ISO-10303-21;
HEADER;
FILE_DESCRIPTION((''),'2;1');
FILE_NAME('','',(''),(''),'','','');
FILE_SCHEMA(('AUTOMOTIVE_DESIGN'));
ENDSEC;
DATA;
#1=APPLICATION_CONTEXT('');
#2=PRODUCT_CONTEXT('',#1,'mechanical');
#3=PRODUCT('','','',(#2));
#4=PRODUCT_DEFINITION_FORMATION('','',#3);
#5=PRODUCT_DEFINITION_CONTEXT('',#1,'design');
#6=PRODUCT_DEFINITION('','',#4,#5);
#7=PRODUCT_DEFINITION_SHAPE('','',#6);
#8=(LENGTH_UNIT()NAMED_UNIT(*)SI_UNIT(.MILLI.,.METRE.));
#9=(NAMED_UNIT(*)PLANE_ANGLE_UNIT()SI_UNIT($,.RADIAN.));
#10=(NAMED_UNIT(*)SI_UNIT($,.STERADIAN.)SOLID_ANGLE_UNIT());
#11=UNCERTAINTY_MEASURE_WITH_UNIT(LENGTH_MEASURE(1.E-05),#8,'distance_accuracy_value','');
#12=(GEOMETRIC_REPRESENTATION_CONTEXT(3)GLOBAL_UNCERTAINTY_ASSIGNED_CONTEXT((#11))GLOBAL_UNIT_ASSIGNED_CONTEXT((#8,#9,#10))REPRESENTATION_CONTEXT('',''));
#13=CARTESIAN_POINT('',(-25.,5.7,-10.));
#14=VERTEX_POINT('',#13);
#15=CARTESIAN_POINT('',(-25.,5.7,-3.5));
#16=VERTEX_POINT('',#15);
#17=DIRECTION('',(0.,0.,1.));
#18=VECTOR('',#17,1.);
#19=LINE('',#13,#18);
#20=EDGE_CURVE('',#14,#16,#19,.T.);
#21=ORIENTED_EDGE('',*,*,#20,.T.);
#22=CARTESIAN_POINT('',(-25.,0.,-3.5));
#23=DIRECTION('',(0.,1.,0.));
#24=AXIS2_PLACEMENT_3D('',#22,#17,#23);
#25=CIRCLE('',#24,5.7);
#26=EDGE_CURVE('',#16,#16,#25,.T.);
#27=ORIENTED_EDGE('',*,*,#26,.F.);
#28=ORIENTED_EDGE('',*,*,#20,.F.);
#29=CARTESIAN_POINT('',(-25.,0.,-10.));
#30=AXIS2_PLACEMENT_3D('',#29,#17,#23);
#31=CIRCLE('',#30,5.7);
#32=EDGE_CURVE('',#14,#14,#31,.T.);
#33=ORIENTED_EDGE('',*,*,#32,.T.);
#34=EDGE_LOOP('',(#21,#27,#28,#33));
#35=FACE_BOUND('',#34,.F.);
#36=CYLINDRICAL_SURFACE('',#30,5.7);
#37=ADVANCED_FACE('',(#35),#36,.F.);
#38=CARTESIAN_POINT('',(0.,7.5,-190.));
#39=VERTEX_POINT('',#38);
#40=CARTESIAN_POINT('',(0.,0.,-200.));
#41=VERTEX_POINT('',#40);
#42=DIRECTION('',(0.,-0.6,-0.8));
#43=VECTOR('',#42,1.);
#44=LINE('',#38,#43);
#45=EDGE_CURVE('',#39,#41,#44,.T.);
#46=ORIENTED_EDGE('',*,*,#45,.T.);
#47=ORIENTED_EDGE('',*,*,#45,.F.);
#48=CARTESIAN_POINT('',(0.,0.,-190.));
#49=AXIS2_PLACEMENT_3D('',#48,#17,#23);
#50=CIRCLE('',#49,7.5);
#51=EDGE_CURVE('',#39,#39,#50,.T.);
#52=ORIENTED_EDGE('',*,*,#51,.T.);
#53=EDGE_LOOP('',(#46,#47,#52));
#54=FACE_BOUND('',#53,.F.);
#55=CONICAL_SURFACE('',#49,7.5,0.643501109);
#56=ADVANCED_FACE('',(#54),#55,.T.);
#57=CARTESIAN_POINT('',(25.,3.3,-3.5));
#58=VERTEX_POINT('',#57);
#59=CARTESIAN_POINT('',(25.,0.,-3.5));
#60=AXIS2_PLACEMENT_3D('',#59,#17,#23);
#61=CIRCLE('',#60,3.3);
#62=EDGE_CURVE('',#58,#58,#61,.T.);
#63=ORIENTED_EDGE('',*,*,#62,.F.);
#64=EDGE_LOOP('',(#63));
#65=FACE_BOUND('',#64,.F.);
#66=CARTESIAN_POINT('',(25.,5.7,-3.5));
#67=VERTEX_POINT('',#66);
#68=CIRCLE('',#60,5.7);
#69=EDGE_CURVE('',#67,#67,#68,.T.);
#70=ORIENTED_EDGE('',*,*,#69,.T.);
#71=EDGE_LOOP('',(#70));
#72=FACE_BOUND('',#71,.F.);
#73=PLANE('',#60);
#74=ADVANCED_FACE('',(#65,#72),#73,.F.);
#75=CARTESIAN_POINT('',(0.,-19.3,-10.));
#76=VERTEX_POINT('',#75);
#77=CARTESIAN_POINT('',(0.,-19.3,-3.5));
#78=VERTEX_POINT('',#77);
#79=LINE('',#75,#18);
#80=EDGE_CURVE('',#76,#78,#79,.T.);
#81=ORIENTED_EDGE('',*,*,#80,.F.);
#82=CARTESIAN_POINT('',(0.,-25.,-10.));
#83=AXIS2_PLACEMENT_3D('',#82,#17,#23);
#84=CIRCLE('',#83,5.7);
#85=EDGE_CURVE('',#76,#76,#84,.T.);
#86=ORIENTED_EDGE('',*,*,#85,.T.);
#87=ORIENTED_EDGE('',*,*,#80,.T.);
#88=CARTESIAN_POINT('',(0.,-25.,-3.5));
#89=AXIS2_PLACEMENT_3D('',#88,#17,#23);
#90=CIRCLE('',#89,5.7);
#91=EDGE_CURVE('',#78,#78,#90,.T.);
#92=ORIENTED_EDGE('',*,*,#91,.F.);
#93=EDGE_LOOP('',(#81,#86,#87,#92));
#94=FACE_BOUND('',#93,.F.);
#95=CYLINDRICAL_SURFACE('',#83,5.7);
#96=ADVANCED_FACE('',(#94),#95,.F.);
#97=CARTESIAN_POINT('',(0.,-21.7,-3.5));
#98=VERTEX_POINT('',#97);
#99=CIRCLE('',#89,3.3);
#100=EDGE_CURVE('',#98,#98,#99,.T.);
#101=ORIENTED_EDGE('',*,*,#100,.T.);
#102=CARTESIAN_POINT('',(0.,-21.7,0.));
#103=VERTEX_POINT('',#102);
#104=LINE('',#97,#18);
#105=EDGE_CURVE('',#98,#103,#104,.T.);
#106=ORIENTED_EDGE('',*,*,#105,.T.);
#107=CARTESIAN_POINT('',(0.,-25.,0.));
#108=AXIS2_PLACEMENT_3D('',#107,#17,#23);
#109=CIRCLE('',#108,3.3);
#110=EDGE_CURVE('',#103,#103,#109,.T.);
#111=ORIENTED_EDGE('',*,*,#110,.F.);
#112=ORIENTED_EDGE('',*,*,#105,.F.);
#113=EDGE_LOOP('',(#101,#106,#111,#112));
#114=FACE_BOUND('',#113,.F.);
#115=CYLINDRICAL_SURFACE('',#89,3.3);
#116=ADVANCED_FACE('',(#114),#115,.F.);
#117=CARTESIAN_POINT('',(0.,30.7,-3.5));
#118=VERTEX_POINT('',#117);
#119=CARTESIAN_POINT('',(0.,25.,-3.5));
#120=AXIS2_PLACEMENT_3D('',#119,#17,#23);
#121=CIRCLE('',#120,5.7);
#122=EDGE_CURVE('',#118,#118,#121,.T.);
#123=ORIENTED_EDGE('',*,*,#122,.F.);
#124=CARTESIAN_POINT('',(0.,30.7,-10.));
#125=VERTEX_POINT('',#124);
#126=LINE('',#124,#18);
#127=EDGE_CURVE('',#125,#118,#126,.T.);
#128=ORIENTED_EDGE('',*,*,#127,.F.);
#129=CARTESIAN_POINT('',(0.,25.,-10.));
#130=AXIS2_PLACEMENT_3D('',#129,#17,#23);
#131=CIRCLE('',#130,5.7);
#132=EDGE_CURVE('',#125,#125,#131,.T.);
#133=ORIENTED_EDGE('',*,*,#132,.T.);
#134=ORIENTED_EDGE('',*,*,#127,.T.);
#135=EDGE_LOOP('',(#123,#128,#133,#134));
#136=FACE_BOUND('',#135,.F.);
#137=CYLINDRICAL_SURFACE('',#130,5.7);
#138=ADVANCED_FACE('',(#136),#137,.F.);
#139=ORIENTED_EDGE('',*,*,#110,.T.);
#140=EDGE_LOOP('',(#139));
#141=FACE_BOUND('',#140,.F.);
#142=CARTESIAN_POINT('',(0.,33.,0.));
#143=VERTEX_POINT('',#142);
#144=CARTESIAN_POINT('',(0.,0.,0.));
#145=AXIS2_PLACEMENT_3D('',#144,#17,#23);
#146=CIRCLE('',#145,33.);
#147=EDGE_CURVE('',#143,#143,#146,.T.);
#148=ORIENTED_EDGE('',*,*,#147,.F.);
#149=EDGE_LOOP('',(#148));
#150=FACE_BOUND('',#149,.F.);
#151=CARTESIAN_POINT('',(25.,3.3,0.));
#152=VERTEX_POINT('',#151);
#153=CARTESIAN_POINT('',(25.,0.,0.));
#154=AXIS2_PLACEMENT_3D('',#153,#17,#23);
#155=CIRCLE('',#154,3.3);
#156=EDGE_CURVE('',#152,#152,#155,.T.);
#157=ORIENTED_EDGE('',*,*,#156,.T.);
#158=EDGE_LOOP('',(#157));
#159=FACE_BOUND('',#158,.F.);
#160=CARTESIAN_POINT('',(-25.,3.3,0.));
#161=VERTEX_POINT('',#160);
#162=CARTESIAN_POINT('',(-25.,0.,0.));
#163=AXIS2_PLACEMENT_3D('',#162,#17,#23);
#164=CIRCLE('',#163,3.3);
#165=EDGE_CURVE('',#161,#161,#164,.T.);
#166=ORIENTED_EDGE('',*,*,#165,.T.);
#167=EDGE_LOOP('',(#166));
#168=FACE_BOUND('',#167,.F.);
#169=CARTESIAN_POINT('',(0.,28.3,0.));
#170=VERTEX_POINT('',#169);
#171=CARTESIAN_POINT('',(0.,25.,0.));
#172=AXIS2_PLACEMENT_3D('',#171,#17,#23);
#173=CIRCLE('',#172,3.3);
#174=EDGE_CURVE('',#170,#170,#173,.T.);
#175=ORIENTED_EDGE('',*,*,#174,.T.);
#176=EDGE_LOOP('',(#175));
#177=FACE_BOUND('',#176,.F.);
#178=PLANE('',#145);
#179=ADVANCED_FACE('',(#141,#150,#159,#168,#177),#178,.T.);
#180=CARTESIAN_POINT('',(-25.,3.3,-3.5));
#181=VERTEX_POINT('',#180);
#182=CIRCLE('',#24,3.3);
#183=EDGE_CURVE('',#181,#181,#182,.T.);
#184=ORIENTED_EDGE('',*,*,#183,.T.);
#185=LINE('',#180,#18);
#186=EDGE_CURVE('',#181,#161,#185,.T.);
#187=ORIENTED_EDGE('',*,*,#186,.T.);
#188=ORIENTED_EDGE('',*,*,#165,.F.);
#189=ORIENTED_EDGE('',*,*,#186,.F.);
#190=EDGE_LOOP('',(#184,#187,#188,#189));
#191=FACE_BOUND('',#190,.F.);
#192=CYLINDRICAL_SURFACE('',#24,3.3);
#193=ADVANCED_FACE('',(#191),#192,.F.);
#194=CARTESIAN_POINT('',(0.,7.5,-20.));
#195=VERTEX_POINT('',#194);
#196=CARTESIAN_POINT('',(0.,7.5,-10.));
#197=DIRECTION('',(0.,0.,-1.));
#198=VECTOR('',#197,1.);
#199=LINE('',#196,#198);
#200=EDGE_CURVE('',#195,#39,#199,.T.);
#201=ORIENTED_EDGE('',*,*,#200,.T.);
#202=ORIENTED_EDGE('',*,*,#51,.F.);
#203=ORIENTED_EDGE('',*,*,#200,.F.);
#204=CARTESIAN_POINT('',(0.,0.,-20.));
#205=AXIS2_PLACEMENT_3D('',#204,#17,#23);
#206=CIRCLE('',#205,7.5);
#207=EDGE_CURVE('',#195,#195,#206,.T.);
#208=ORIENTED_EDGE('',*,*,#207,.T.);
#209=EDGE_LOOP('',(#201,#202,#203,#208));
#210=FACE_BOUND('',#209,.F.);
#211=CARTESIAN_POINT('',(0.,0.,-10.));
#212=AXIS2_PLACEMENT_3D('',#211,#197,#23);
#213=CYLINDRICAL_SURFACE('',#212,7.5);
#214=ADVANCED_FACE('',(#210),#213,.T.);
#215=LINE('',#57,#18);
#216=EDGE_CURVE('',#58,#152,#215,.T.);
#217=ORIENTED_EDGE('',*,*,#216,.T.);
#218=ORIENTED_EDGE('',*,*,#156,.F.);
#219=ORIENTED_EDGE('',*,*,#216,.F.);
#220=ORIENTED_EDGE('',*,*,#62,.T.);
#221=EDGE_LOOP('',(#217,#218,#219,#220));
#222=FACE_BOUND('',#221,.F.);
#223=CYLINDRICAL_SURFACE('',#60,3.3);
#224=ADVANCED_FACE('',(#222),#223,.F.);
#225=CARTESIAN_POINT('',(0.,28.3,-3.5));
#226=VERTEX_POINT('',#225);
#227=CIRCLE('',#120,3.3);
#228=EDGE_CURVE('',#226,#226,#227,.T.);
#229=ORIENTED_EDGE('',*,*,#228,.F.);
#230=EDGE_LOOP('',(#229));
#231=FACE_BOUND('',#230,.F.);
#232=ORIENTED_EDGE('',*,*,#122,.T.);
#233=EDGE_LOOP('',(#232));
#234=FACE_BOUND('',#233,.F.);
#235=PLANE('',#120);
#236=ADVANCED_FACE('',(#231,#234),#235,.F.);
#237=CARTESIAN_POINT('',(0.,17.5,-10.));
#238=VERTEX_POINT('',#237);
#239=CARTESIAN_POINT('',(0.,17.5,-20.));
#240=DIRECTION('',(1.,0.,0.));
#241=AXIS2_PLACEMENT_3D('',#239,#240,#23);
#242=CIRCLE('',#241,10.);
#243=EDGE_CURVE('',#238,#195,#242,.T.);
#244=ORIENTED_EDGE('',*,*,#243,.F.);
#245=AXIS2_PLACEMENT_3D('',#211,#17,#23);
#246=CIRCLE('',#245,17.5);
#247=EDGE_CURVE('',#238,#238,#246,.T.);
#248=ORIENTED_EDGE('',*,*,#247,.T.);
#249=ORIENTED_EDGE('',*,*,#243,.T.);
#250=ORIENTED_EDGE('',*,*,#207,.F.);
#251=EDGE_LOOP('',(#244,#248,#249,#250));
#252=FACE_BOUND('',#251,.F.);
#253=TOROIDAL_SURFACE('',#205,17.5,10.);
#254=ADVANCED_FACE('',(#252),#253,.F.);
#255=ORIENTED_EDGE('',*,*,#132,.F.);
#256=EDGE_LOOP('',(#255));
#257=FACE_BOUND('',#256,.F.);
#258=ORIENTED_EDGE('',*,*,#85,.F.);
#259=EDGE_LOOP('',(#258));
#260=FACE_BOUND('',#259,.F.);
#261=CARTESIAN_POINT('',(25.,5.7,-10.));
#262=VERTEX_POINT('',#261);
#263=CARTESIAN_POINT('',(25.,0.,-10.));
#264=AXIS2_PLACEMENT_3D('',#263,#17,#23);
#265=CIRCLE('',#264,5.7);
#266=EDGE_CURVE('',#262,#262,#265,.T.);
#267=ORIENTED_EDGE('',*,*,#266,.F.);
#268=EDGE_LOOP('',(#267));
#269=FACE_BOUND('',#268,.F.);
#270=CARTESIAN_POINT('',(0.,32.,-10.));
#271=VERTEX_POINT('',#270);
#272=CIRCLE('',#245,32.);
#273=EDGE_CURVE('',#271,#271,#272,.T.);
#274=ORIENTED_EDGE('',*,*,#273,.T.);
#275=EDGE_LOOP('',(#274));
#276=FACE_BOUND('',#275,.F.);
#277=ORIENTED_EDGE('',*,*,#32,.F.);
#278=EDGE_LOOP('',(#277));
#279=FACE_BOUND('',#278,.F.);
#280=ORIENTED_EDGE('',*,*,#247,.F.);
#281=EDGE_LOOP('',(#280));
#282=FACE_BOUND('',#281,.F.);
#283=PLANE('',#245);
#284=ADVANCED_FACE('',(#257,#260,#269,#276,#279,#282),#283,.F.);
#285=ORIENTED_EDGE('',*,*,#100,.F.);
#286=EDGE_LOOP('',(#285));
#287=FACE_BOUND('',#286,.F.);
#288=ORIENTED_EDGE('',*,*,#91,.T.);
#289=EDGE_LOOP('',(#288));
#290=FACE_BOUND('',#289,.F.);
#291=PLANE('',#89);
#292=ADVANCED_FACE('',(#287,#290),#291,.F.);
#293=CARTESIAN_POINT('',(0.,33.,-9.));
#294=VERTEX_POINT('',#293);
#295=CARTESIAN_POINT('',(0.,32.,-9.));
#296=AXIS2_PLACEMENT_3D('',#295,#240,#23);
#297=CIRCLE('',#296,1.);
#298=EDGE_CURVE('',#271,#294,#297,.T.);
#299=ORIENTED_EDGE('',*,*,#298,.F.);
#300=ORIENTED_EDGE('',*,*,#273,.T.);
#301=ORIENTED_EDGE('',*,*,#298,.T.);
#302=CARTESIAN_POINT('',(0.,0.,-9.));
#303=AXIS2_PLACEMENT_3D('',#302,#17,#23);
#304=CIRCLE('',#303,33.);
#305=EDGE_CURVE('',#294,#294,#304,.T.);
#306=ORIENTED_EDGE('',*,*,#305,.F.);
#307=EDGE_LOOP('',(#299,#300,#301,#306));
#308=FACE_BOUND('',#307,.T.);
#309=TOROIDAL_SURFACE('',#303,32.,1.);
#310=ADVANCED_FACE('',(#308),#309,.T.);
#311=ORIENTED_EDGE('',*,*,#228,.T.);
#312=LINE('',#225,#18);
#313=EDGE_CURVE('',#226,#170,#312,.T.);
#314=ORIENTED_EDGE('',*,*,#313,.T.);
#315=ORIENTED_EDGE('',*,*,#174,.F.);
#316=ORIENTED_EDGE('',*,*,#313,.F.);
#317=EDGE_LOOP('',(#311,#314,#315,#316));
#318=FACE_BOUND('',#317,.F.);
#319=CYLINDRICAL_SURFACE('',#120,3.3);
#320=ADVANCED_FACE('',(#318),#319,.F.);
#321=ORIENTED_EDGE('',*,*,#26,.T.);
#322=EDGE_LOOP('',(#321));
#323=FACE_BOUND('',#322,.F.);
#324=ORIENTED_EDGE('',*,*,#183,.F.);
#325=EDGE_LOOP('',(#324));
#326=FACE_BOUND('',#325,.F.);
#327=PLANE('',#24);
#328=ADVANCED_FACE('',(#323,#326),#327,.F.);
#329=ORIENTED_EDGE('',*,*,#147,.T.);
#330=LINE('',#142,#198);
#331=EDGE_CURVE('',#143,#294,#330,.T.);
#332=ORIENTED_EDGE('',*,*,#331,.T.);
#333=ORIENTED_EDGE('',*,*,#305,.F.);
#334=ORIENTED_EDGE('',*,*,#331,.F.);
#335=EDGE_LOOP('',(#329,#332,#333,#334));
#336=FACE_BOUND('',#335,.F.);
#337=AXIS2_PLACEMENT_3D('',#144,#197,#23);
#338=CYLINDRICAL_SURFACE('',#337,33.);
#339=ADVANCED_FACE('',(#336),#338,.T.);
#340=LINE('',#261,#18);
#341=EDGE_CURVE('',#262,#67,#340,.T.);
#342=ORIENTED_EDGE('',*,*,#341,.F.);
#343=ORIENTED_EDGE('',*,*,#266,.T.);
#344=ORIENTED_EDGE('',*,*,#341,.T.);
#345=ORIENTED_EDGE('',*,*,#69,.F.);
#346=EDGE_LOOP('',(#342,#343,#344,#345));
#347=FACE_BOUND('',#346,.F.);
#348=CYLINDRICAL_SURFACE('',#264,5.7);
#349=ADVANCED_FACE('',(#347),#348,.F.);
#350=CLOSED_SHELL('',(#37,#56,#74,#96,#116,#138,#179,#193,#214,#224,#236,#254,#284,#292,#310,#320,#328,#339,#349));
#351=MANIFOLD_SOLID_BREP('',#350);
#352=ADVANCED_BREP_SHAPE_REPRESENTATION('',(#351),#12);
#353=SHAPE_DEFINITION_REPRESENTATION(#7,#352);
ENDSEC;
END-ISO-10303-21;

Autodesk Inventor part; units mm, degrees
ref_plane "YZ Plane" through (0, 0, 0) normal (1, 0, 0) x (0, 1, 0)
ref_plane "XZ Plane" through (0, 0, 0) normal (0, 1, 0) x (-1, 0, 0)
ref_plane "XY Plane" through (0, 0, 0) normal (0, 0, 1) x (1, 0, 0)
sketch "Náčrt11" plane through (0, 0, 0) normal (1, 0, 0) x (0, 1, 0)
  line L0 (-6.6, 0) -> (39.6, 0) projected
  line L1 (0, -240) -> (0, 40) projected
  line L2 (0, 0) -> (33, 0)
  line L3 (33, 0) -> (33, -10)
  line L4 (33, -10) -> (0, -10)
  line L5 (0, -10) -> (0, 0)
  line L6 (0, -10) -> (7.5, -10)
  line L7 (7.5, -10) -> (7.5, -200)
  line L8 (7.5, -200) -> (0, -200)
  line L9 (0, -200) -> (0, -10)
  point P0 (33, 0)
  point P1 (0, -200)
  dimension "d109" = 33
  dimension "d110" = 10
  dimension "d111" = 7.5
  dimension "d112" = 190
revolve "Rotace2" add sketch "Náčrt11" angle 360 about axis through (0, 0, -10) along (0, 0, 1)
sketch "Náčrt12" plane through (0, 0, -10) normal (0, 0, -1) x (-1, 0, 0)
  line L0 (46.2, 0) -> (-46.2, 0) projected
  line L1 (0, -46.2) -> (0, 46.2) projected
  circle A0 centre (0, 0) radius 25 construction
  point P0 (0, 25)
  point P1 (-25, 0)
  point P2 (25, 0)
  point P3 (0, -25)
  dimension "d114" = 50
hole "Díra4" at (0, 25, -10) at (25, 0, -10) at (-25, 0, -10) at (0, -25, -10) direction (0, 0, 1) diameter 6.6 end through all counterbore diameter 11.4 counterbore depth 6.5 clearance for "Šroub s hlavou s vnitřním vybráním ISO 4762" size "M6" standard "ISO"
chamfer "Zkosení4" distance 10 distance2 7.5 1 edges at (0, -7.5, -200) measured on face at (0.6035, 7.4757, -136.6667)
fillet "Zaoblení12" radius 1 1 edges at (0, -33, -10)
fillet "Zaoblení13" radius 10 1 edges at (0, -7.5, -10)
properties part number "Drzak_kamera"
